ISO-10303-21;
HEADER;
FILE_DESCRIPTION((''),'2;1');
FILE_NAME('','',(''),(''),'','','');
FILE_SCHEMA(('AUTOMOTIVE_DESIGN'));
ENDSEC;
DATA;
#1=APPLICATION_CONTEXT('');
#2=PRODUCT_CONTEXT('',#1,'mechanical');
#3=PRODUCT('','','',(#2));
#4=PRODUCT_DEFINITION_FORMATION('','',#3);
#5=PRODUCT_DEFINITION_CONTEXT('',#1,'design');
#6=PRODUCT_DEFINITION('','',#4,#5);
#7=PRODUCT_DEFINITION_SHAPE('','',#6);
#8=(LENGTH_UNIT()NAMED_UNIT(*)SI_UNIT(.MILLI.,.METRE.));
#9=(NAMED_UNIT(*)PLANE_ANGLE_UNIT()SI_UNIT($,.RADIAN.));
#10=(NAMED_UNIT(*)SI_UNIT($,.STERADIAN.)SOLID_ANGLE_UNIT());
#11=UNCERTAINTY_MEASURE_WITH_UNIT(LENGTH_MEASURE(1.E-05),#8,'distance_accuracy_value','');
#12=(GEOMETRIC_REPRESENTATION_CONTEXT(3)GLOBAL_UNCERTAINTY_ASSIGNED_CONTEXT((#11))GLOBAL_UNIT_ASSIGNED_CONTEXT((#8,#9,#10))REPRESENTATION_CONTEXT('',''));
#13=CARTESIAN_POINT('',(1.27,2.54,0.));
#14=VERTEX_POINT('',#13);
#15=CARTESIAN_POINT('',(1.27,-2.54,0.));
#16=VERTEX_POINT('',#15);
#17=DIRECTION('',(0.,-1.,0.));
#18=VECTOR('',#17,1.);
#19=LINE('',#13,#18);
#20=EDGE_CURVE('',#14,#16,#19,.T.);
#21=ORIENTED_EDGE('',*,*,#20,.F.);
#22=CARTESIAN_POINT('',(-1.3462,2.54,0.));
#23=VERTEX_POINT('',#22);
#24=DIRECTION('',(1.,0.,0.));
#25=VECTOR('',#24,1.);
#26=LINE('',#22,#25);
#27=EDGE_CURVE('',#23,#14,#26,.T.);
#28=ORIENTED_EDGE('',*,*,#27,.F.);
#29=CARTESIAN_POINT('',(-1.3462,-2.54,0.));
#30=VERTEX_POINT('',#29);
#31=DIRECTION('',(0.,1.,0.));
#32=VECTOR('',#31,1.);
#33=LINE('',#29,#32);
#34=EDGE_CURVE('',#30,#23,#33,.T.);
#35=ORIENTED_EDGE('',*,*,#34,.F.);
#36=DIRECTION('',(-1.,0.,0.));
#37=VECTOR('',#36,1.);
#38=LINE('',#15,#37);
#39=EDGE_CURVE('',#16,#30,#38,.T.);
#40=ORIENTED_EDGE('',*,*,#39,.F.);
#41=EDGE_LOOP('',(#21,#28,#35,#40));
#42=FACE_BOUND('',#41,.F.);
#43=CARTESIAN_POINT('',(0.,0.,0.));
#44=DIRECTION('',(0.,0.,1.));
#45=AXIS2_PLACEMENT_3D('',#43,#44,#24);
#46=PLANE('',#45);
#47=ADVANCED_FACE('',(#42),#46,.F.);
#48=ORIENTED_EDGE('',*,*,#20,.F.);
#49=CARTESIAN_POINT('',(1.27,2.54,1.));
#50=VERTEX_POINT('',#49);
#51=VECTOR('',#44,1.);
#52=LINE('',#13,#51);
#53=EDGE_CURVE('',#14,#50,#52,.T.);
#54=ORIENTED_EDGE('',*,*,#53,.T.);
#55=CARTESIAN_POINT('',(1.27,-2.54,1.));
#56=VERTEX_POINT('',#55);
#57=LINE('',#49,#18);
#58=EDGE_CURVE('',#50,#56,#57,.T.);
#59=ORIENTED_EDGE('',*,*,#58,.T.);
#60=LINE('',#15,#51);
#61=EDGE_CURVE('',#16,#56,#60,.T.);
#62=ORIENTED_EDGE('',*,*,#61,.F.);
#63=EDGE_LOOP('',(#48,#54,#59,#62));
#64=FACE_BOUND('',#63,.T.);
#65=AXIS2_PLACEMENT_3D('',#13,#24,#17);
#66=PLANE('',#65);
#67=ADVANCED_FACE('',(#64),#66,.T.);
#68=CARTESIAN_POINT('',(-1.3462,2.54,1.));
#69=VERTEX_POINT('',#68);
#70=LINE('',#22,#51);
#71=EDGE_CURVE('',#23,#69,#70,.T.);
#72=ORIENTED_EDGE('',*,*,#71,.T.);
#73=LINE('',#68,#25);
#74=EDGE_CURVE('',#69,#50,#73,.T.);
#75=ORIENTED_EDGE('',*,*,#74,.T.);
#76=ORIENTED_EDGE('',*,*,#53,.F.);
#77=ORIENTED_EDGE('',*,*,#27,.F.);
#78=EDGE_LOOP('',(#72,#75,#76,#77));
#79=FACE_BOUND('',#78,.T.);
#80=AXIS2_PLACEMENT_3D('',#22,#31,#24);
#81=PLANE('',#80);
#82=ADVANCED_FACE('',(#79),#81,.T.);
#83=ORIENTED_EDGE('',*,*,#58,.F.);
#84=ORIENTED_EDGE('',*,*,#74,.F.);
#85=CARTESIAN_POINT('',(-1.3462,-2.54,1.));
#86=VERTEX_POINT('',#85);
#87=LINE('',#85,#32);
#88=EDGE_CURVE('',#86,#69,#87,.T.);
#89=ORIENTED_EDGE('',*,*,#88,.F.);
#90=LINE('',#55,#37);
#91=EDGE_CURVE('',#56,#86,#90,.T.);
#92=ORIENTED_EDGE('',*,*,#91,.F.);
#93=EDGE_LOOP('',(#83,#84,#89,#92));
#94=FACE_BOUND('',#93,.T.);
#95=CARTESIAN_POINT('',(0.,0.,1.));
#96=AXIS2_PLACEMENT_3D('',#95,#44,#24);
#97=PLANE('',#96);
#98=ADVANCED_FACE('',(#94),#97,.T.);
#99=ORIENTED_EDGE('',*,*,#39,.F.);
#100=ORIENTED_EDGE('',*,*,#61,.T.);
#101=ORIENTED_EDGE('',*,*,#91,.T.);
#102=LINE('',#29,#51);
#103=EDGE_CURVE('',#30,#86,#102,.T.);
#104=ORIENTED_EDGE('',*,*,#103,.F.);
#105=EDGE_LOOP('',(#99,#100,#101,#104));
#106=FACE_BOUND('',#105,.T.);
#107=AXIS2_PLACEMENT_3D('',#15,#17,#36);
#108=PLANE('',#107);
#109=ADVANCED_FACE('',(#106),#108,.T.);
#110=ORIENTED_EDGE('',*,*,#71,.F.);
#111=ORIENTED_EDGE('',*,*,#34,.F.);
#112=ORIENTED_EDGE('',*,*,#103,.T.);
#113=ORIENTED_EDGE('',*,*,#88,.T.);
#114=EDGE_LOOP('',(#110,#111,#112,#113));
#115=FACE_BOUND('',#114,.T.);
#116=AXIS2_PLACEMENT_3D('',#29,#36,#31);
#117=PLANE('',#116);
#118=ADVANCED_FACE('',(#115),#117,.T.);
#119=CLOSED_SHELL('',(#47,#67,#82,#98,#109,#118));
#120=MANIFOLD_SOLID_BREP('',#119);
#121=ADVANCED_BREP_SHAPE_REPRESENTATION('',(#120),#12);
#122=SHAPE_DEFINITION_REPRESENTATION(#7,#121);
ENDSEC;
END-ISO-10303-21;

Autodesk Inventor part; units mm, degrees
ref_plane "YZ Plane" through (0, 0, 0) normal (1, 0, 0) x (0, 1, 0)
ref_plane "XZ Plane" through (0, 0, 0) normal (0, 1, 0) x (-1, 0, 0)
ref_plane "XY Plane" through (0, 0, 0) normal (0, 0, 1) x (1, 0, 0)
sketch "JP1M, _5V_59" plane through (0, 0, 0) normal (0, 0, 1) x (1, 0, 0)
  line L0 (-1.3462, 2.54) -> (1.27, 2.54)
  line L1 (1.27, 2.54) -> (1.27, -2.54)
  line L2 (1.27, -2.54) -> (-1.3462, -2.54)
  line L3 (-1.3462, -2.54) -> (-1.3462, 2.54)
extrude "Extrusion1" add sketch "JP1M, _5V_59" along normal blind 1
properties part number "_5V"
